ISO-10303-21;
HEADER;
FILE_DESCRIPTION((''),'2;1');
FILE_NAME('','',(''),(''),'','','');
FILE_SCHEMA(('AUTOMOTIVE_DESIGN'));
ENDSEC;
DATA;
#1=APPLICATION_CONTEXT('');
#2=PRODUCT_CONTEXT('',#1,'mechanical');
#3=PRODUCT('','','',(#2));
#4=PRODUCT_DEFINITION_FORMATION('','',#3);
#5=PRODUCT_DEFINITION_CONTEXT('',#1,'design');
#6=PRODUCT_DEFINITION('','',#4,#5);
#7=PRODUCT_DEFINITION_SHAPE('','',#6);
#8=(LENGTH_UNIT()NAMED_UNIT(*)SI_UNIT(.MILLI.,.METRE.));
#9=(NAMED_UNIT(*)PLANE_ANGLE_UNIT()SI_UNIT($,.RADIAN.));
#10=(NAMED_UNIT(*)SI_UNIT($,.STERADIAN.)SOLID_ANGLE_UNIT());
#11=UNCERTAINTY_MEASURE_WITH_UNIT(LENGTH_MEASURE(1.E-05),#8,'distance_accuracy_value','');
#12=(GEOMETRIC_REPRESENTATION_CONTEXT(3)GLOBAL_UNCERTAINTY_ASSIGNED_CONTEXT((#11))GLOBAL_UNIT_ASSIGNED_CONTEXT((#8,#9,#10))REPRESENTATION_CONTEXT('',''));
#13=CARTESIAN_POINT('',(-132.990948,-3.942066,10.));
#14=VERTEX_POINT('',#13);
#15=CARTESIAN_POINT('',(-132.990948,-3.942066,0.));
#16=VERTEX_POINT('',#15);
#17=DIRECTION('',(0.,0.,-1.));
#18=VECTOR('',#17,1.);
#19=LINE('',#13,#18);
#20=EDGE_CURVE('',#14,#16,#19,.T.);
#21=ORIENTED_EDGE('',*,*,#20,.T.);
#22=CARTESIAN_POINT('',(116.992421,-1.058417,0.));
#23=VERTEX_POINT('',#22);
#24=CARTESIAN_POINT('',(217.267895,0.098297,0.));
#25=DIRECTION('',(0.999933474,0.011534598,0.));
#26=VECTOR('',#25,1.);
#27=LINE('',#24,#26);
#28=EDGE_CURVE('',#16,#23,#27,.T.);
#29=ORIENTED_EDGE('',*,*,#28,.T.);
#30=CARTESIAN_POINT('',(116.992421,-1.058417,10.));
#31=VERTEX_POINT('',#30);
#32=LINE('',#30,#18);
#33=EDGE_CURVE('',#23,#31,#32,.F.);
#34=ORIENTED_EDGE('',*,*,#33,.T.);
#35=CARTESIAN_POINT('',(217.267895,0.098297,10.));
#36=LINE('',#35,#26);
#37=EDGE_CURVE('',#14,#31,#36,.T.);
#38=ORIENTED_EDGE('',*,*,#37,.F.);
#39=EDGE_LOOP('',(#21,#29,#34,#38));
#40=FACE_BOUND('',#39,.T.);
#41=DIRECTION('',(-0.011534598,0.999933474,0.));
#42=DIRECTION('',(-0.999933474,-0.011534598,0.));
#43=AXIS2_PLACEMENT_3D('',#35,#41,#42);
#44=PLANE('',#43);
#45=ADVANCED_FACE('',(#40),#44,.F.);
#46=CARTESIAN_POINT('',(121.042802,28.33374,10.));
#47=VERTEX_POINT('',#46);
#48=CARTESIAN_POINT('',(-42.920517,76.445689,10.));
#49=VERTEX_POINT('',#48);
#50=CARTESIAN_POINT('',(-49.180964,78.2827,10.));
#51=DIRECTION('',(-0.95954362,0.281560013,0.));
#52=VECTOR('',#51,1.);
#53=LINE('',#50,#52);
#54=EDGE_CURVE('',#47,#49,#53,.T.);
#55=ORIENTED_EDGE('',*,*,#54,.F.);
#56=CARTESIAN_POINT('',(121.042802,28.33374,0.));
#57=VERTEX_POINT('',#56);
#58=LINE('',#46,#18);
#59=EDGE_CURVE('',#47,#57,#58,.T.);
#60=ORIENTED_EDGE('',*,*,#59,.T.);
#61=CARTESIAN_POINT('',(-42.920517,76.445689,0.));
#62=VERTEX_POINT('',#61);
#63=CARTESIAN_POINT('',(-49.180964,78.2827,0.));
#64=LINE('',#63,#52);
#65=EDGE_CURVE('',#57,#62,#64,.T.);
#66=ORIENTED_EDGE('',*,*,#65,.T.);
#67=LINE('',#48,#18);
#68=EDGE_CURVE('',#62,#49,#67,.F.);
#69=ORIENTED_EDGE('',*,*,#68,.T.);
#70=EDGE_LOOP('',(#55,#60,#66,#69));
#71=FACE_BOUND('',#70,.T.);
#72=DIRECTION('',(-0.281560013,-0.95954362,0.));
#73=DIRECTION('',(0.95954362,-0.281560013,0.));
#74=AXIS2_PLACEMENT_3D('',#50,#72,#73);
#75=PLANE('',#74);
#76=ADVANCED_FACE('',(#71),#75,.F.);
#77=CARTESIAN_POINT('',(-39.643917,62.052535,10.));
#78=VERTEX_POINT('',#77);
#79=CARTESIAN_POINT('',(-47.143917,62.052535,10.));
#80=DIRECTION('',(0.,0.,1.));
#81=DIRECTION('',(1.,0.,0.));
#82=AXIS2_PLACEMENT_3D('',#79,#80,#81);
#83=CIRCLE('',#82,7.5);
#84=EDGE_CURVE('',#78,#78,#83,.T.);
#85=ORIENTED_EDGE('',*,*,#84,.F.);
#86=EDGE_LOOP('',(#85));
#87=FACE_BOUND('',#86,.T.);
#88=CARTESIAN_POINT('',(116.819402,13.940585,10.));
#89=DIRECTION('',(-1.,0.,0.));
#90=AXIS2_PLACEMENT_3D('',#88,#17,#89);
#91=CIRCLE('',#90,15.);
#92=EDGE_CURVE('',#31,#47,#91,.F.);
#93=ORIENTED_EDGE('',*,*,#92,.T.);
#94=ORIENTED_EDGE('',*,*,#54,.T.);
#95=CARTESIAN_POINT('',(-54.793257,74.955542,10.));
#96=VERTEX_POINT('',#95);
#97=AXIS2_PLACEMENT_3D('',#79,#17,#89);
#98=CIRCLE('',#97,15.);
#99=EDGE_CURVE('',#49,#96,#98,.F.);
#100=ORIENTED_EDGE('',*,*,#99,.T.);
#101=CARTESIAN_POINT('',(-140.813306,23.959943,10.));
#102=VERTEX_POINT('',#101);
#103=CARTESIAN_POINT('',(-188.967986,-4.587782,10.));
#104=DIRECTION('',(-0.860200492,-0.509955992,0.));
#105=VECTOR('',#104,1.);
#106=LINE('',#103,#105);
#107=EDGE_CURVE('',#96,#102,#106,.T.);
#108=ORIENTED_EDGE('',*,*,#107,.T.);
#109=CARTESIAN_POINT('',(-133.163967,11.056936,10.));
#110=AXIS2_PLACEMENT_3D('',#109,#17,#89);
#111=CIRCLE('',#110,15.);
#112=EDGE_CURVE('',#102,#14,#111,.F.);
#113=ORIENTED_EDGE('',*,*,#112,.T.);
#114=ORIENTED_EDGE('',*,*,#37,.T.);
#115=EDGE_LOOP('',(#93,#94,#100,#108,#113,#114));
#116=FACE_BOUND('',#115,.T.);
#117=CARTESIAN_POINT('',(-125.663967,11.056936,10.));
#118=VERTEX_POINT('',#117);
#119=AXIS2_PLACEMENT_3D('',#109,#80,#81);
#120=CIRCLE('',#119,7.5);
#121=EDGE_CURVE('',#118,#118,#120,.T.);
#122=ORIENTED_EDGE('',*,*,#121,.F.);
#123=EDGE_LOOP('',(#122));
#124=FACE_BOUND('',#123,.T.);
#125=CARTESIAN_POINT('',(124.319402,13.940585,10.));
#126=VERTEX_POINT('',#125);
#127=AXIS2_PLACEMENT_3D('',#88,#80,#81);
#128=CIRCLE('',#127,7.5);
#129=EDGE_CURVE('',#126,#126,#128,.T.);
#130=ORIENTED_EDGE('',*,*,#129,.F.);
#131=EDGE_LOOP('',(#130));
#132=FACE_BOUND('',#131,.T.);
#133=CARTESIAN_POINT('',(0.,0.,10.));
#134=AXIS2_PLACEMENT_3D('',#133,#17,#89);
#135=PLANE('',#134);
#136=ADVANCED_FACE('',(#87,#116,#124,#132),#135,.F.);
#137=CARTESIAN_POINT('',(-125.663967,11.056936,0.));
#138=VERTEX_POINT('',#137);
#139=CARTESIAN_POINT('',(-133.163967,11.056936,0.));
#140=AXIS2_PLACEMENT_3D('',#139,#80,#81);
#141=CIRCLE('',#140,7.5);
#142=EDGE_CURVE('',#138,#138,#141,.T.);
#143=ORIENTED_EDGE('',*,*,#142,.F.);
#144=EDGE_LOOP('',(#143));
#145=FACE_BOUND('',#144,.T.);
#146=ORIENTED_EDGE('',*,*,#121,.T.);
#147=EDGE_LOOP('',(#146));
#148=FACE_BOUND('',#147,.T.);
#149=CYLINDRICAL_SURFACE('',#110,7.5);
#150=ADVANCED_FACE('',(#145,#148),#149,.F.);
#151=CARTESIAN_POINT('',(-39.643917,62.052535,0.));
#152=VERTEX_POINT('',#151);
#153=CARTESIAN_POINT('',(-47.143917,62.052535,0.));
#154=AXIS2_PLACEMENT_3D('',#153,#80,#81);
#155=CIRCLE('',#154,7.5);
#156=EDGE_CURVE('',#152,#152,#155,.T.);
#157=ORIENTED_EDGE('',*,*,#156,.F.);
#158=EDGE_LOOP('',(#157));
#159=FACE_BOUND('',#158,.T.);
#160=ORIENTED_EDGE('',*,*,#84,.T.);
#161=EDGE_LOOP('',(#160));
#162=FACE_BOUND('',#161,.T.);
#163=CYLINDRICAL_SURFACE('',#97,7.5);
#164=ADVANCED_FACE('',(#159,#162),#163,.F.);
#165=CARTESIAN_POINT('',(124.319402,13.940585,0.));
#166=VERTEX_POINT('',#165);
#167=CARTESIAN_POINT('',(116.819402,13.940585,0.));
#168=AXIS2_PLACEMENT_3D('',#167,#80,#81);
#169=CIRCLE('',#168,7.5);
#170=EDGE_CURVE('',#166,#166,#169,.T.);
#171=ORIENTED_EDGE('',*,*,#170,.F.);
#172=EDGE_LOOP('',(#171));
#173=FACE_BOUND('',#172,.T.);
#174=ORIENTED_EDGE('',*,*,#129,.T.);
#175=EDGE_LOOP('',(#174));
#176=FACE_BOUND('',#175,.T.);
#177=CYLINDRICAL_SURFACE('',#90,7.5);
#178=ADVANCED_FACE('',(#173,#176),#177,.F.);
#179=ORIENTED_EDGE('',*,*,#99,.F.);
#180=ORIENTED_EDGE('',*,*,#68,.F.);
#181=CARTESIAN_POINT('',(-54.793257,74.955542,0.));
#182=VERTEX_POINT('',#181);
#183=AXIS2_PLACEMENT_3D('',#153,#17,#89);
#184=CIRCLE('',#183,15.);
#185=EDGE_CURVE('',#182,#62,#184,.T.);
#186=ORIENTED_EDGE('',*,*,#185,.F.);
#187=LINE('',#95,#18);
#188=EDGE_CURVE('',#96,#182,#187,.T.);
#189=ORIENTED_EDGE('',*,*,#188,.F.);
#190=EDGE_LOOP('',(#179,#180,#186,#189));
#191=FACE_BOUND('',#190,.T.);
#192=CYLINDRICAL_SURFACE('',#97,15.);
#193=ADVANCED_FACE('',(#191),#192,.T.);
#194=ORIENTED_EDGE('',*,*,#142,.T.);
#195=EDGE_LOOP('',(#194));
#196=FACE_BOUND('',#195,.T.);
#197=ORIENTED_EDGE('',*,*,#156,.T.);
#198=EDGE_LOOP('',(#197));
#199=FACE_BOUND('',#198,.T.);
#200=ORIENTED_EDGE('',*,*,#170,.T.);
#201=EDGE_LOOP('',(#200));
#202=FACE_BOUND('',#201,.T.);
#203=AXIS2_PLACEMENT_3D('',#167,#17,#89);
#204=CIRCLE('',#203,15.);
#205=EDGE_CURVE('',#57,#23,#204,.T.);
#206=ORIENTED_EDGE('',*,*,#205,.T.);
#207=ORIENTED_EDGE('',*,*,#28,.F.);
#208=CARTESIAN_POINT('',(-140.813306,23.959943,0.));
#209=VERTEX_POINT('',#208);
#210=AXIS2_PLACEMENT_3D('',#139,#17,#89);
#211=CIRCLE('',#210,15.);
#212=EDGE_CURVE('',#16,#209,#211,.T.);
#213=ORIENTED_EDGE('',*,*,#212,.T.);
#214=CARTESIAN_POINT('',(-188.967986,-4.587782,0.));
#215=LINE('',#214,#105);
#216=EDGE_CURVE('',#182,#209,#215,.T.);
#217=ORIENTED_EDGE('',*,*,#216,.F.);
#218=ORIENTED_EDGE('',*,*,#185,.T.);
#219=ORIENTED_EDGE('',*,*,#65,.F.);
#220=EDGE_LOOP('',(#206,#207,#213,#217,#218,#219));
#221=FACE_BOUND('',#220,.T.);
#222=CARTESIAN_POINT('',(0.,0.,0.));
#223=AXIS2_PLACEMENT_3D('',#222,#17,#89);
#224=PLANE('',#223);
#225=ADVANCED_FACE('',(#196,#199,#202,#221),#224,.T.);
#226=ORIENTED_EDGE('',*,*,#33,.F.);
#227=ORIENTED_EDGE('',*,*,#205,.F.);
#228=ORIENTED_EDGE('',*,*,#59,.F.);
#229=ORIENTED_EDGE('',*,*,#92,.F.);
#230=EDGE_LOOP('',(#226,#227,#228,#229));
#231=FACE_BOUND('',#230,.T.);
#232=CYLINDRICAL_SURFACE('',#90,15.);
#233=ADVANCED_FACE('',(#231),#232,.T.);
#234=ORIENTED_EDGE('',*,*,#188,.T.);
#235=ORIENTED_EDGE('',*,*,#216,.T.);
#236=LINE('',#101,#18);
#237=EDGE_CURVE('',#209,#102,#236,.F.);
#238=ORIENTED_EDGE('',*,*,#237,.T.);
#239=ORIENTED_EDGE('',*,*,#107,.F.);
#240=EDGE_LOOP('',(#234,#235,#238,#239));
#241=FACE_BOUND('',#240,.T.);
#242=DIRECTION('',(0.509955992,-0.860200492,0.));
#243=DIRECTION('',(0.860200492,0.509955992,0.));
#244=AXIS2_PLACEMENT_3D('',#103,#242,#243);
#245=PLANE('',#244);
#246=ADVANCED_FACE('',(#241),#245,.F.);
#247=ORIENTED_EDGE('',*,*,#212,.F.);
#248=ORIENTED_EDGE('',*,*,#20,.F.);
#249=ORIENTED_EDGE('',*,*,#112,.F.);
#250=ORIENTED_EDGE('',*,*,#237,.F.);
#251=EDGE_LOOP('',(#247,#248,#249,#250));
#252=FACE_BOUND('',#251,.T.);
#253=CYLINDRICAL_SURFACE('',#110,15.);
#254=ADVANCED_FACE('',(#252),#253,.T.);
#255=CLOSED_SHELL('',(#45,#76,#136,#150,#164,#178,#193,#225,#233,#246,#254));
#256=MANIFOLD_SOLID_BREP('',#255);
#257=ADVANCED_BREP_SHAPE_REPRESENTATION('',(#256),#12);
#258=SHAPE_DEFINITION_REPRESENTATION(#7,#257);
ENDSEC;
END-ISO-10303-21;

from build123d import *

# Parameters (mm, degrees)
SKETCH2_R           = 7.5
BOSS_EXTRUDE1_DEPTH = 10
FILLET1_R           = 15
FILLET2_R           = 15
FILLET3_R           = 15


with BuildPart() as part:
    # Sketch2 → Boss-Extrude1 (new body)
    with BuildSketch(Plane.XY):
        Polygon((-188.967985521, -4.587781845), (-49.180964379, 78.282699744), (217.267895037, 0.098297427), align=None)
        with Locations((-133.163966534, 11.056935849)):
            Circle(SKETCH2_R, mode=Mode.SUBTRACT)
        with Locations((-47.143917344, 62.052535044)):
            Circle(SKETCH2_R, mode=Mode.SUBTRACT)
        with Locations((116.819402044, 13.94058532)):
            Circle(SKETCH2_R, mode=Mode.SUBTRACT)
    extrude(amount=BOSS_EXTRUDE1_DEPTH)

    # Fillet1
    fillet1_edges = [part.edges().sort_by_distance(p)[0] for p in [
        (217.267895037, 0.098297427, 5),
    ]]
    fillet(fillet1_edges, radius=FILLET1_R)

    # Fillet2
    fillet2_edges = [part.edges().sort_by_distance(p)[0] for p in [
        (-49.180964379, 78.282699744, 5),
    ]]
    fillet(fillet2_edges, radius=FILLET2_R)

    # Fillet3
    fillet3_edges = [part.edges().sort_by_distance(p)[0] for p in [
        (-188.967985521, -4.587781845, 5),
    ]]
    fillet(fillet3_edges, radius=FILLET3_R)


solid = part.part
